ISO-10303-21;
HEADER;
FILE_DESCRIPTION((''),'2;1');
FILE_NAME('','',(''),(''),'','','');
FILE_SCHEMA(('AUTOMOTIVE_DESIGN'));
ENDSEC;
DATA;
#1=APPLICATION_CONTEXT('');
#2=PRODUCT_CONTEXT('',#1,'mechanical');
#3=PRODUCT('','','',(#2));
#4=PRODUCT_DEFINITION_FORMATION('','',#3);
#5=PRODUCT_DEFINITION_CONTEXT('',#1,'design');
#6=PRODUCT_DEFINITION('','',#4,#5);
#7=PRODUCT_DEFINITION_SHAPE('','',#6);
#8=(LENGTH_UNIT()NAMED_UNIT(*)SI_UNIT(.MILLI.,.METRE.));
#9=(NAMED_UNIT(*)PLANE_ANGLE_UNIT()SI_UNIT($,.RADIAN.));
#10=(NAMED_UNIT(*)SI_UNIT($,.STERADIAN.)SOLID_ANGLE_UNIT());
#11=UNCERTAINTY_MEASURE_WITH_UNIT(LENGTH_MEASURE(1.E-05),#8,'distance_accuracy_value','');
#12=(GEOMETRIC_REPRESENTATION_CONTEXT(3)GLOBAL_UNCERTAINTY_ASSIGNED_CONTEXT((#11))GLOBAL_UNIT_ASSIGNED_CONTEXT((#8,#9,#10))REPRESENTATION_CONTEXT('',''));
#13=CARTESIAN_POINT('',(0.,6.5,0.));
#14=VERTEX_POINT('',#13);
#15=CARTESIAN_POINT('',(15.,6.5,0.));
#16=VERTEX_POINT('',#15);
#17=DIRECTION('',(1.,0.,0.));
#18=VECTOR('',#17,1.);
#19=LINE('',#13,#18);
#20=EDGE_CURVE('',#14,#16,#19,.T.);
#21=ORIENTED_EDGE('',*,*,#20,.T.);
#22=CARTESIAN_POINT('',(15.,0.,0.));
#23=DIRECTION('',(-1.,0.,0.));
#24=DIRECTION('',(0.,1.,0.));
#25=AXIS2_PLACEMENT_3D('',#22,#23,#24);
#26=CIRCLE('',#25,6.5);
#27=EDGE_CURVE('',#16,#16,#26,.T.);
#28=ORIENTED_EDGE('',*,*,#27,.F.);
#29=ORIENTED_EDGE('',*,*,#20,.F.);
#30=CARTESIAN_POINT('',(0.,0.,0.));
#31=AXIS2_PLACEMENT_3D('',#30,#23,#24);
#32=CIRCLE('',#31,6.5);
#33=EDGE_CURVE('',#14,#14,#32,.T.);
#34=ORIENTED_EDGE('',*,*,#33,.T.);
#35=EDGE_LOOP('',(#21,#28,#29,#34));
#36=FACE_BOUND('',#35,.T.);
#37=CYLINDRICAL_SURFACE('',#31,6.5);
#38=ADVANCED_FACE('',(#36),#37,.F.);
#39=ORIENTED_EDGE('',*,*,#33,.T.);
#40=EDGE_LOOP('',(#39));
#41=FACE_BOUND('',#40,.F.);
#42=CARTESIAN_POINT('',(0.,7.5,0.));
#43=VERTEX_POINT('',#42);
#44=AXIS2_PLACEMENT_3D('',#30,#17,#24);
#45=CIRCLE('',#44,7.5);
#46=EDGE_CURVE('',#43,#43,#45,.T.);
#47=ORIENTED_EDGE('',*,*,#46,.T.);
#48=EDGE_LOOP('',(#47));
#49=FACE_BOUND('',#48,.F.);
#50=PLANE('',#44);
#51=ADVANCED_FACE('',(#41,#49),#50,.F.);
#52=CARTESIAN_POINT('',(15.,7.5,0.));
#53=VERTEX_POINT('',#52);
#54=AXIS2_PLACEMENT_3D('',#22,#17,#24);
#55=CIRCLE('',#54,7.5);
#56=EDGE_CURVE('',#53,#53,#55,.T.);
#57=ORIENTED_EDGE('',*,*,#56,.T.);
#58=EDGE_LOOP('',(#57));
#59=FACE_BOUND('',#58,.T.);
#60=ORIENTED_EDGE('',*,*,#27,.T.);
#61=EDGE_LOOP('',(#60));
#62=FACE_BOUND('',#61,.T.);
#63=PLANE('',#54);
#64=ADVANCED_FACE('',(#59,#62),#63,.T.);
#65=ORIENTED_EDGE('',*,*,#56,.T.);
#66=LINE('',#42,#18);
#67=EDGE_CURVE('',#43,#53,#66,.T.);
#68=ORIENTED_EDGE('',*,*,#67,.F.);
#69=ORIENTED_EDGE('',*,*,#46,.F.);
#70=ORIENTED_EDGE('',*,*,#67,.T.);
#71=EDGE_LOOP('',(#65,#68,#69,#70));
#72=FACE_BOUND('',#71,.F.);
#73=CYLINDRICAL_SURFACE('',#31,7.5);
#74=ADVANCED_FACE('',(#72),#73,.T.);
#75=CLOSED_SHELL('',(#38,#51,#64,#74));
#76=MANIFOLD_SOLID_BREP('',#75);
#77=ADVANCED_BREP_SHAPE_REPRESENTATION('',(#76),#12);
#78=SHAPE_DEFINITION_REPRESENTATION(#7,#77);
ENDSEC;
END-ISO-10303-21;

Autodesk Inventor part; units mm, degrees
ref_plane "YZ Plane" through (0, 0, 0) normal (1, 0, 0) x (0, 1, 0)
ref_plane "XZ Plane" through (0, 0, 0) normal (0, 1, 0) x (-1, 0, 0)
ref_plane "XY Plane" through (0, 0, 0) normal (0, 0, 1) x (1, 0, 0)
sketch "Sketch1" plane through (0, 0, 0) normal (1, 0, 0) x (0, 1, 0)
  circle A0 centre (0, 0) radius 7.5
  dimension "d0" = 15
extrude "Extrusion1" add sketch "Sketch1" along normal blind 15
shell "Shell1" thickness 1 removed faces 2 at (0, -2.141, -0.5635) at (15, -2.141, -0.5635)
properties part number "2 STRUTMOUNT  PART"
